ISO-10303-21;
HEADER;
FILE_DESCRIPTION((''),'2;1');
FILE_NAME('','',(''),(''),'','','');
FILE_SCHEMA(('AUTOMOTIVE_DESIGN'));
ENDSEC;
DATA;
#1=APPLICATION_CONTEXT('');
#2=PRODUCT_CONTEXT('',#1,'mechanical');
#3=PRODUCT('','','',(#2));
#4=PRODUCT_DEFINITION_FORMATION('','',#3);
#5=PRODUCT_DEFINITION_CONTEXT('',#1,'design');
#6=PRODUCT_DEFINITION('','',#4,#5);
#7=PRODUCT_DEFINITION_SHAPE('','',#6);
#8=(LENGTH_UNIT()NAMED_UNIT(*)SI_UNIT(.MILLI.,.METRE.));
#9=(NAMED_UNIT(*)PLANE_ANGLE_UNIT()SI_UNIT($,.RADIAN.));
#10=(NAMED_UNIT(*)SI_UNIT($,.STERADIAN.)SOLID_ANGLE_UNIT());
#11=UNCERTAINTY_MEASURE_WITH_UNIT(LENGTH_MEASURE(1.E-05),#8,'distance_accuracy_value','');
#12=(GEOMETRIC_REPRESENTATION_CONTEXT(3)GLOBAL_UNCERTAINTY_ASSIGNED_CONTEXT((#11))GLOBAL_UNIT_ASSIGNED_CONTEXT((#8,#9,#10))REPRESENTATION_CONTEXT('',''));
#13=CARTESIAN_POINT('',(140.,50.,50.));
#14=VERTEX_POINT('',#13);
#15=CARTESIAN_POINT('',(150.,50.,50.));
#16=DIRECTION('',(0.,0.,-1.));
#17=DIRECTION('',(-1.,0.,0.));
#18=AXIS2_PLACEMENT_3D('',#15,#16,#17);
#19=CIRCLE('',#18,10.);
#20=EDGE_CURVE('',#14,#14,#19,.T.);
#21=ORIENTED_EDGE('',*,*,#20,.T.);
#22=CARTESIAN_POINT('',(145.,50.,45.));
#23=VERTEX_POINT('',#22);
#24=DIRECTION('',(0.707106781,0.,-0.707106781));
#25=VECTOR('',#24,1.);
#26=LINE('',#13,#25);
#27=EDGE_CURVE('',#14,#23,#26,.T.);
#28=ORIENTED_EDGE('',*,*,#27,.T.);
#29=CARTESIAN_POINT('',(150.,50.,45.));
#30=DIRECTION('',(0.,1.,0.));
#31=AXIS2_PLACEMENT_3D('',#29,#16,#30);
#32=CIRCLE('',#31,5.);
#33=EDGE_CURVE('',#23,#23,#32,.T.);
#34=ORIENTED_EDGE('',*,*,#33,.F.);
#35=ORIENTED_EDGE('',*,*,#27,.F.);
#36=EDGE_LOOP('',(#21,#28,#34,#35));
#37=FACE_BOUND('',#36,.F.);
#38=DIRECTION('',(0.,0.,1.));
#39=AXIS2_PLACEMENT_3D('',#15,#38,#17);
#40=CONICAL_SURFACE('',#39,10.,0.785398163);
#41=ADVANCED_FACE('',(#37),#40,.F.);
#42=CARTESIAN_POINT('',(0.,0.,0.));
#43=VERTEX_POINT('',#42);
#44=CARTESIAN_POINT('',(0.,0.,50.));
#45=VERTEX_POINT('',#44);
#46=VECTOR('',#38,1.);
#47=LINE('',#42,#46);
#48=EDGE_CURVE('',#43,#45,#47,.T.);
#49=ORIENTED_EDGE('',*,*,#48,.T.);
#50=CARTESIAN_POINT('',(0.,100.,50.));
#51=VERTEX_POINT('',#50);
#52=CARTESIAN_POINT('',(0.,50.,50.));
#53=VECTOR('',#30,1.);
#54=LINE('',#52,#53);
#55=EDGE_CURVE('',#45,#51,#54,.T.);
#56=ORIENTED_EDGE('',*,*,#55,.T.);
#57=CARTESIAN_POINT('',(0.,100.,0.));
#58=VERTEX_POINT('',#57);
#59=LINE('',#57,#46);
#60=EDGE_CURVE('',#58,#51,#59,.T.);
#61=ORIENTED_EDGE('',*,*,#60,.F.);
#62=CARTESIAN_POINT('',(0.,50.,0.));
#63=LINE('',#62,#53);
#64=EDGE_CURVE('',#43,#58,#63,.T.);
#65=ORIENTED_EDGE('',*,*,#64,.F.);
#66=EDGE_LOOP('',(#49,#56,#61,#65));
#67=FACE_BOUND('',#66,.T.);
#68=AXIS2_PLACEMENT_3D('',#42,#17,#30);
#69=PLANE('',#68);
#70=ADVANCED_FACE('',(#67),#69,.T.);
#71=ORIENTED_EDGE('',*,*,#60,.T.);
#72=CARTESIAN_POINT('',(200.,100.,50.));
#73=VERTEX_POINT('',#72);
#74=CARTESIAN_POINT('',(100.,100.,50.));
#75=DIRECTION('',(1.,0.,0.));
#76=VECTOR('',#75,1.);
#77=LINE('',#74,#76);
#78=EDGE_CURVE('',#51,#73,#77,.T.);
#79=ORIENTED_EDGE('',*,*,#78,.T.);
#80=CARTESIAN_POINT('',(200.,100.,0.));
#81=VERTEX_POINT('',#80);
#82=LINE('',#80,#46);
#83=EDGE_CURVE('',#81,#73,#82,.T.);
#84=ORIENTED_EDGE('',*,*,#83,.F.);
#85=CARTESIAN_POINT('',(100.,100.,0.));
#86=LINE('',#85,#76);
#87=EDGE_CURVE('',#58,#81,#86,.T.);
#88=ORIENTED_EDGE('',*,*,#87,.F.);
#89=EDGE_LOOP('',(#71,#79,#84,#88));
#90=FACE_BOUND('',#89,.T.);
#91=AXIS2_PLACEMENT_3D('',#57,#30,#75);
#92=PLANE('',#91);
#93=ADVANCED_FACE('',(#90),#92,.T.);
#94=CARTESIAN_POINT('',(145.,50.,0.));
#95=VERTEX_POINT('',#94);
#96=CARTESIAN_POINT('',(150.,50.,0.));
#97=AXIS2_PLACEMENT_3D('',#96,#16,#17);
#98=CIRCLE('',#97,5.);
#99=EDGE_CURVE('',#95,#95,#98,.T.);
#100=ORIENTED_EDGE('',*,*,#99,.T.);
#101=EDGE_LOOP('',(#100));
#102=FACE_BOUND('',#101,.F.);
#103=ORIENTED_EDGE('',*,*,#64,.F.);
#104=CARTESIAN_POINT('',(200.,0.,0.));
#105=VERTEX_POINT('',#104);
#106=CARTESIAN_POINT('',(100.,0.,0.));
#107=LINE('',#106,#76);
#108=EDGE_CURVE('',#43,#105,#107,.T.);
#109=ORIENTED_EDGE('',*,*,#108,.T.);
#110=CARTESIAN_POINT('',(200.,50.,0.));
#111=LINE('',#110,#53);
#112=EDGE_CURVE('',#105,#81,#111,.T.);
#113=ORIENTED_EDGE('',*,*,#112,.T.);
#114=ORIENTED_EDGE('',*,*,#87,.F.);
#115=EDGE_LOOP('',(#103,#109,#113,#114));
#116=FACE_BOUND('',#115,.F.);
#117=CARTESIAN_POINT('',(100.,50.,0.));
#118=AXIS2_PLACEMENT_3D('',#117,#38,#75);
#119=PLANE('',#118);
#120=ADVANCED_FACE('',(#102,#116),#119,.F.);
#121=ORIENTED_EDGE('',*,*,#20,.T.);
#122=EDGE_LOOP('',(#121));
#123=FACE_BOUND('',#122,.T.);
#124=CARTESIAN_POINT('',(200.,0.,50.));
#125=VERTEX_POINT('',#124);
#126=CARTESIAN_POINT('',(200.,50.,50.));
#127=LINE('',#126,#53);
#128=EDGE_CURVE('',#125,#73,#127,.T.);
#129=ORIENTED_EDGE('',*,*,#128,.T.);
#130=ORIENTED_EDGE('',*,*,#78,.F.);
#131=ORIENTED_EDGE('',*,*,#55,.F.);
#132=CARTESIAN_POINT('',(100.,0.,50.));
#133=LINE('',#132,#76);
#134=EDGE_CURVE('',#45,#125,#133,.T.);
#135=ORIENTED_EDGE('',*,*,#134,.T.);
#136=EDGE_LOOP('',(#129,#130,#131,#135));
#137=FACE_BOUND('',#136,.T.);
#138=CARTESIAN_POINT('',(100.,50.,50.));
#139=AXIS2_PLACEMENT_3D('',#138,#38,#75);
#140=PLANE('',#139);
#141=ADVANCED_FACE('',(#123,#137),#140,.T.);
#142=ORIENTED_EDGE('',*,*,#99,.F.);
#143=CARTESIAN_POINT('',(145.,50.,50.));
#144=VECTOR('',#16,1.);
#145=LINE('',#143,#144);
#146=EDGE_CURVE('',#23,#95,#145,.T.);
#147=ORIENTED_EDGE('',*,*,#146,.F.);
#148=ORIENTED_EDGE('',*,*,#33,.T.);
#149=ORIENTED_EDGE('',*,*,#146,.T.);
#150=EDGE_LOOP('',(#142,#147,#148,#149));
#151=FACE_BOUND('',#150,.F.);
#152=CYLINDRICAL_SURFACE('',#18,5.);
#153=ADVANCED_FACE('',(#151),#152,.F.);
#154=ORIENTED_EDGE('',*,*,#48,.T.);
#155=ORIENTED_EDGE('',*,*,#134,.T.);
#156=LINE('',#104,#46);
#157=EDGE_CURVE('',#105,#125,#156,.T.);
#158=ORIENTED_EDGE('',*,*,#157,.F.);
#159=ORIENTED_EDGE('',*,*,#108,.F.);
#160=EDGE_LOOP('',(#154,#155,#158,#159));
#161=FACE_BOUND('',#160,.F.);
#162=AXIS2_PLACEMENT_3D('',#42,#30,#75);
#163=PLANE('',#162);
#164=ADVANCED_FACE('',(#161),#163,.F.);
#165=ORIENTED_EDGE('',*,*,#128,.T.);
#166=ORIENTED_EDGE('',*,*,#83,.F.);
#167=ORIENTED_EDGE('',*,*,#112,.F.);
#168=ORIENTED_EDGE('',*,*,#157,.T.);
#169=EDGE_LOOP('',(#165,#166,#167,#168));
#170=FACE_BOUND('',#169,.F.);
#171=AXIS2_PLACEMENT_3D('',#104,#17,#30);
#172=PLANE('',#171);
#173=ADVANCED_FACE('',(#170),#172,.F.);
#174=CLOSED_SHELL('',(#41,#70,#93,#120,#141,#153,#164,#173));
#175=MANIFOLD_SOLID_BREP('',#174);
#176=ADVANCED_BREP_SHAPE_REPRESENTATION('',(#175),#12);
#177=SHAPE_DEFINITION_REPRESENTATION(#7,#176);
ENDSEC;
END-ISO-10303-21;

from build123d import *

# Parameters (mm, degrees)
F0_W           = 200
F0_H           = 100
F1_DEPTH       = 50
F3_D           = 10
F3_CSINK_D     = 20
F3_CSINK_ANGLE = 90


with BuildPart() as f1:
    # F0 (on Top) → F1 (new body)
    with BuildSketch(Plane.XY):
        with Locations((100, 50)):
            Rectangle(F0_W, F0_H)
    extrude(amount=F1_DEPTH)

    # F3 (through all)
    with Locations(Plane.XY.offset(50)):
        with Locations((150, 50)):
            CounterSinkHole(F3_D / 2, F3_CSINK_D / 2, counter_sink_angle=F3_CSINK_ANGLE)


solid = f1.part
